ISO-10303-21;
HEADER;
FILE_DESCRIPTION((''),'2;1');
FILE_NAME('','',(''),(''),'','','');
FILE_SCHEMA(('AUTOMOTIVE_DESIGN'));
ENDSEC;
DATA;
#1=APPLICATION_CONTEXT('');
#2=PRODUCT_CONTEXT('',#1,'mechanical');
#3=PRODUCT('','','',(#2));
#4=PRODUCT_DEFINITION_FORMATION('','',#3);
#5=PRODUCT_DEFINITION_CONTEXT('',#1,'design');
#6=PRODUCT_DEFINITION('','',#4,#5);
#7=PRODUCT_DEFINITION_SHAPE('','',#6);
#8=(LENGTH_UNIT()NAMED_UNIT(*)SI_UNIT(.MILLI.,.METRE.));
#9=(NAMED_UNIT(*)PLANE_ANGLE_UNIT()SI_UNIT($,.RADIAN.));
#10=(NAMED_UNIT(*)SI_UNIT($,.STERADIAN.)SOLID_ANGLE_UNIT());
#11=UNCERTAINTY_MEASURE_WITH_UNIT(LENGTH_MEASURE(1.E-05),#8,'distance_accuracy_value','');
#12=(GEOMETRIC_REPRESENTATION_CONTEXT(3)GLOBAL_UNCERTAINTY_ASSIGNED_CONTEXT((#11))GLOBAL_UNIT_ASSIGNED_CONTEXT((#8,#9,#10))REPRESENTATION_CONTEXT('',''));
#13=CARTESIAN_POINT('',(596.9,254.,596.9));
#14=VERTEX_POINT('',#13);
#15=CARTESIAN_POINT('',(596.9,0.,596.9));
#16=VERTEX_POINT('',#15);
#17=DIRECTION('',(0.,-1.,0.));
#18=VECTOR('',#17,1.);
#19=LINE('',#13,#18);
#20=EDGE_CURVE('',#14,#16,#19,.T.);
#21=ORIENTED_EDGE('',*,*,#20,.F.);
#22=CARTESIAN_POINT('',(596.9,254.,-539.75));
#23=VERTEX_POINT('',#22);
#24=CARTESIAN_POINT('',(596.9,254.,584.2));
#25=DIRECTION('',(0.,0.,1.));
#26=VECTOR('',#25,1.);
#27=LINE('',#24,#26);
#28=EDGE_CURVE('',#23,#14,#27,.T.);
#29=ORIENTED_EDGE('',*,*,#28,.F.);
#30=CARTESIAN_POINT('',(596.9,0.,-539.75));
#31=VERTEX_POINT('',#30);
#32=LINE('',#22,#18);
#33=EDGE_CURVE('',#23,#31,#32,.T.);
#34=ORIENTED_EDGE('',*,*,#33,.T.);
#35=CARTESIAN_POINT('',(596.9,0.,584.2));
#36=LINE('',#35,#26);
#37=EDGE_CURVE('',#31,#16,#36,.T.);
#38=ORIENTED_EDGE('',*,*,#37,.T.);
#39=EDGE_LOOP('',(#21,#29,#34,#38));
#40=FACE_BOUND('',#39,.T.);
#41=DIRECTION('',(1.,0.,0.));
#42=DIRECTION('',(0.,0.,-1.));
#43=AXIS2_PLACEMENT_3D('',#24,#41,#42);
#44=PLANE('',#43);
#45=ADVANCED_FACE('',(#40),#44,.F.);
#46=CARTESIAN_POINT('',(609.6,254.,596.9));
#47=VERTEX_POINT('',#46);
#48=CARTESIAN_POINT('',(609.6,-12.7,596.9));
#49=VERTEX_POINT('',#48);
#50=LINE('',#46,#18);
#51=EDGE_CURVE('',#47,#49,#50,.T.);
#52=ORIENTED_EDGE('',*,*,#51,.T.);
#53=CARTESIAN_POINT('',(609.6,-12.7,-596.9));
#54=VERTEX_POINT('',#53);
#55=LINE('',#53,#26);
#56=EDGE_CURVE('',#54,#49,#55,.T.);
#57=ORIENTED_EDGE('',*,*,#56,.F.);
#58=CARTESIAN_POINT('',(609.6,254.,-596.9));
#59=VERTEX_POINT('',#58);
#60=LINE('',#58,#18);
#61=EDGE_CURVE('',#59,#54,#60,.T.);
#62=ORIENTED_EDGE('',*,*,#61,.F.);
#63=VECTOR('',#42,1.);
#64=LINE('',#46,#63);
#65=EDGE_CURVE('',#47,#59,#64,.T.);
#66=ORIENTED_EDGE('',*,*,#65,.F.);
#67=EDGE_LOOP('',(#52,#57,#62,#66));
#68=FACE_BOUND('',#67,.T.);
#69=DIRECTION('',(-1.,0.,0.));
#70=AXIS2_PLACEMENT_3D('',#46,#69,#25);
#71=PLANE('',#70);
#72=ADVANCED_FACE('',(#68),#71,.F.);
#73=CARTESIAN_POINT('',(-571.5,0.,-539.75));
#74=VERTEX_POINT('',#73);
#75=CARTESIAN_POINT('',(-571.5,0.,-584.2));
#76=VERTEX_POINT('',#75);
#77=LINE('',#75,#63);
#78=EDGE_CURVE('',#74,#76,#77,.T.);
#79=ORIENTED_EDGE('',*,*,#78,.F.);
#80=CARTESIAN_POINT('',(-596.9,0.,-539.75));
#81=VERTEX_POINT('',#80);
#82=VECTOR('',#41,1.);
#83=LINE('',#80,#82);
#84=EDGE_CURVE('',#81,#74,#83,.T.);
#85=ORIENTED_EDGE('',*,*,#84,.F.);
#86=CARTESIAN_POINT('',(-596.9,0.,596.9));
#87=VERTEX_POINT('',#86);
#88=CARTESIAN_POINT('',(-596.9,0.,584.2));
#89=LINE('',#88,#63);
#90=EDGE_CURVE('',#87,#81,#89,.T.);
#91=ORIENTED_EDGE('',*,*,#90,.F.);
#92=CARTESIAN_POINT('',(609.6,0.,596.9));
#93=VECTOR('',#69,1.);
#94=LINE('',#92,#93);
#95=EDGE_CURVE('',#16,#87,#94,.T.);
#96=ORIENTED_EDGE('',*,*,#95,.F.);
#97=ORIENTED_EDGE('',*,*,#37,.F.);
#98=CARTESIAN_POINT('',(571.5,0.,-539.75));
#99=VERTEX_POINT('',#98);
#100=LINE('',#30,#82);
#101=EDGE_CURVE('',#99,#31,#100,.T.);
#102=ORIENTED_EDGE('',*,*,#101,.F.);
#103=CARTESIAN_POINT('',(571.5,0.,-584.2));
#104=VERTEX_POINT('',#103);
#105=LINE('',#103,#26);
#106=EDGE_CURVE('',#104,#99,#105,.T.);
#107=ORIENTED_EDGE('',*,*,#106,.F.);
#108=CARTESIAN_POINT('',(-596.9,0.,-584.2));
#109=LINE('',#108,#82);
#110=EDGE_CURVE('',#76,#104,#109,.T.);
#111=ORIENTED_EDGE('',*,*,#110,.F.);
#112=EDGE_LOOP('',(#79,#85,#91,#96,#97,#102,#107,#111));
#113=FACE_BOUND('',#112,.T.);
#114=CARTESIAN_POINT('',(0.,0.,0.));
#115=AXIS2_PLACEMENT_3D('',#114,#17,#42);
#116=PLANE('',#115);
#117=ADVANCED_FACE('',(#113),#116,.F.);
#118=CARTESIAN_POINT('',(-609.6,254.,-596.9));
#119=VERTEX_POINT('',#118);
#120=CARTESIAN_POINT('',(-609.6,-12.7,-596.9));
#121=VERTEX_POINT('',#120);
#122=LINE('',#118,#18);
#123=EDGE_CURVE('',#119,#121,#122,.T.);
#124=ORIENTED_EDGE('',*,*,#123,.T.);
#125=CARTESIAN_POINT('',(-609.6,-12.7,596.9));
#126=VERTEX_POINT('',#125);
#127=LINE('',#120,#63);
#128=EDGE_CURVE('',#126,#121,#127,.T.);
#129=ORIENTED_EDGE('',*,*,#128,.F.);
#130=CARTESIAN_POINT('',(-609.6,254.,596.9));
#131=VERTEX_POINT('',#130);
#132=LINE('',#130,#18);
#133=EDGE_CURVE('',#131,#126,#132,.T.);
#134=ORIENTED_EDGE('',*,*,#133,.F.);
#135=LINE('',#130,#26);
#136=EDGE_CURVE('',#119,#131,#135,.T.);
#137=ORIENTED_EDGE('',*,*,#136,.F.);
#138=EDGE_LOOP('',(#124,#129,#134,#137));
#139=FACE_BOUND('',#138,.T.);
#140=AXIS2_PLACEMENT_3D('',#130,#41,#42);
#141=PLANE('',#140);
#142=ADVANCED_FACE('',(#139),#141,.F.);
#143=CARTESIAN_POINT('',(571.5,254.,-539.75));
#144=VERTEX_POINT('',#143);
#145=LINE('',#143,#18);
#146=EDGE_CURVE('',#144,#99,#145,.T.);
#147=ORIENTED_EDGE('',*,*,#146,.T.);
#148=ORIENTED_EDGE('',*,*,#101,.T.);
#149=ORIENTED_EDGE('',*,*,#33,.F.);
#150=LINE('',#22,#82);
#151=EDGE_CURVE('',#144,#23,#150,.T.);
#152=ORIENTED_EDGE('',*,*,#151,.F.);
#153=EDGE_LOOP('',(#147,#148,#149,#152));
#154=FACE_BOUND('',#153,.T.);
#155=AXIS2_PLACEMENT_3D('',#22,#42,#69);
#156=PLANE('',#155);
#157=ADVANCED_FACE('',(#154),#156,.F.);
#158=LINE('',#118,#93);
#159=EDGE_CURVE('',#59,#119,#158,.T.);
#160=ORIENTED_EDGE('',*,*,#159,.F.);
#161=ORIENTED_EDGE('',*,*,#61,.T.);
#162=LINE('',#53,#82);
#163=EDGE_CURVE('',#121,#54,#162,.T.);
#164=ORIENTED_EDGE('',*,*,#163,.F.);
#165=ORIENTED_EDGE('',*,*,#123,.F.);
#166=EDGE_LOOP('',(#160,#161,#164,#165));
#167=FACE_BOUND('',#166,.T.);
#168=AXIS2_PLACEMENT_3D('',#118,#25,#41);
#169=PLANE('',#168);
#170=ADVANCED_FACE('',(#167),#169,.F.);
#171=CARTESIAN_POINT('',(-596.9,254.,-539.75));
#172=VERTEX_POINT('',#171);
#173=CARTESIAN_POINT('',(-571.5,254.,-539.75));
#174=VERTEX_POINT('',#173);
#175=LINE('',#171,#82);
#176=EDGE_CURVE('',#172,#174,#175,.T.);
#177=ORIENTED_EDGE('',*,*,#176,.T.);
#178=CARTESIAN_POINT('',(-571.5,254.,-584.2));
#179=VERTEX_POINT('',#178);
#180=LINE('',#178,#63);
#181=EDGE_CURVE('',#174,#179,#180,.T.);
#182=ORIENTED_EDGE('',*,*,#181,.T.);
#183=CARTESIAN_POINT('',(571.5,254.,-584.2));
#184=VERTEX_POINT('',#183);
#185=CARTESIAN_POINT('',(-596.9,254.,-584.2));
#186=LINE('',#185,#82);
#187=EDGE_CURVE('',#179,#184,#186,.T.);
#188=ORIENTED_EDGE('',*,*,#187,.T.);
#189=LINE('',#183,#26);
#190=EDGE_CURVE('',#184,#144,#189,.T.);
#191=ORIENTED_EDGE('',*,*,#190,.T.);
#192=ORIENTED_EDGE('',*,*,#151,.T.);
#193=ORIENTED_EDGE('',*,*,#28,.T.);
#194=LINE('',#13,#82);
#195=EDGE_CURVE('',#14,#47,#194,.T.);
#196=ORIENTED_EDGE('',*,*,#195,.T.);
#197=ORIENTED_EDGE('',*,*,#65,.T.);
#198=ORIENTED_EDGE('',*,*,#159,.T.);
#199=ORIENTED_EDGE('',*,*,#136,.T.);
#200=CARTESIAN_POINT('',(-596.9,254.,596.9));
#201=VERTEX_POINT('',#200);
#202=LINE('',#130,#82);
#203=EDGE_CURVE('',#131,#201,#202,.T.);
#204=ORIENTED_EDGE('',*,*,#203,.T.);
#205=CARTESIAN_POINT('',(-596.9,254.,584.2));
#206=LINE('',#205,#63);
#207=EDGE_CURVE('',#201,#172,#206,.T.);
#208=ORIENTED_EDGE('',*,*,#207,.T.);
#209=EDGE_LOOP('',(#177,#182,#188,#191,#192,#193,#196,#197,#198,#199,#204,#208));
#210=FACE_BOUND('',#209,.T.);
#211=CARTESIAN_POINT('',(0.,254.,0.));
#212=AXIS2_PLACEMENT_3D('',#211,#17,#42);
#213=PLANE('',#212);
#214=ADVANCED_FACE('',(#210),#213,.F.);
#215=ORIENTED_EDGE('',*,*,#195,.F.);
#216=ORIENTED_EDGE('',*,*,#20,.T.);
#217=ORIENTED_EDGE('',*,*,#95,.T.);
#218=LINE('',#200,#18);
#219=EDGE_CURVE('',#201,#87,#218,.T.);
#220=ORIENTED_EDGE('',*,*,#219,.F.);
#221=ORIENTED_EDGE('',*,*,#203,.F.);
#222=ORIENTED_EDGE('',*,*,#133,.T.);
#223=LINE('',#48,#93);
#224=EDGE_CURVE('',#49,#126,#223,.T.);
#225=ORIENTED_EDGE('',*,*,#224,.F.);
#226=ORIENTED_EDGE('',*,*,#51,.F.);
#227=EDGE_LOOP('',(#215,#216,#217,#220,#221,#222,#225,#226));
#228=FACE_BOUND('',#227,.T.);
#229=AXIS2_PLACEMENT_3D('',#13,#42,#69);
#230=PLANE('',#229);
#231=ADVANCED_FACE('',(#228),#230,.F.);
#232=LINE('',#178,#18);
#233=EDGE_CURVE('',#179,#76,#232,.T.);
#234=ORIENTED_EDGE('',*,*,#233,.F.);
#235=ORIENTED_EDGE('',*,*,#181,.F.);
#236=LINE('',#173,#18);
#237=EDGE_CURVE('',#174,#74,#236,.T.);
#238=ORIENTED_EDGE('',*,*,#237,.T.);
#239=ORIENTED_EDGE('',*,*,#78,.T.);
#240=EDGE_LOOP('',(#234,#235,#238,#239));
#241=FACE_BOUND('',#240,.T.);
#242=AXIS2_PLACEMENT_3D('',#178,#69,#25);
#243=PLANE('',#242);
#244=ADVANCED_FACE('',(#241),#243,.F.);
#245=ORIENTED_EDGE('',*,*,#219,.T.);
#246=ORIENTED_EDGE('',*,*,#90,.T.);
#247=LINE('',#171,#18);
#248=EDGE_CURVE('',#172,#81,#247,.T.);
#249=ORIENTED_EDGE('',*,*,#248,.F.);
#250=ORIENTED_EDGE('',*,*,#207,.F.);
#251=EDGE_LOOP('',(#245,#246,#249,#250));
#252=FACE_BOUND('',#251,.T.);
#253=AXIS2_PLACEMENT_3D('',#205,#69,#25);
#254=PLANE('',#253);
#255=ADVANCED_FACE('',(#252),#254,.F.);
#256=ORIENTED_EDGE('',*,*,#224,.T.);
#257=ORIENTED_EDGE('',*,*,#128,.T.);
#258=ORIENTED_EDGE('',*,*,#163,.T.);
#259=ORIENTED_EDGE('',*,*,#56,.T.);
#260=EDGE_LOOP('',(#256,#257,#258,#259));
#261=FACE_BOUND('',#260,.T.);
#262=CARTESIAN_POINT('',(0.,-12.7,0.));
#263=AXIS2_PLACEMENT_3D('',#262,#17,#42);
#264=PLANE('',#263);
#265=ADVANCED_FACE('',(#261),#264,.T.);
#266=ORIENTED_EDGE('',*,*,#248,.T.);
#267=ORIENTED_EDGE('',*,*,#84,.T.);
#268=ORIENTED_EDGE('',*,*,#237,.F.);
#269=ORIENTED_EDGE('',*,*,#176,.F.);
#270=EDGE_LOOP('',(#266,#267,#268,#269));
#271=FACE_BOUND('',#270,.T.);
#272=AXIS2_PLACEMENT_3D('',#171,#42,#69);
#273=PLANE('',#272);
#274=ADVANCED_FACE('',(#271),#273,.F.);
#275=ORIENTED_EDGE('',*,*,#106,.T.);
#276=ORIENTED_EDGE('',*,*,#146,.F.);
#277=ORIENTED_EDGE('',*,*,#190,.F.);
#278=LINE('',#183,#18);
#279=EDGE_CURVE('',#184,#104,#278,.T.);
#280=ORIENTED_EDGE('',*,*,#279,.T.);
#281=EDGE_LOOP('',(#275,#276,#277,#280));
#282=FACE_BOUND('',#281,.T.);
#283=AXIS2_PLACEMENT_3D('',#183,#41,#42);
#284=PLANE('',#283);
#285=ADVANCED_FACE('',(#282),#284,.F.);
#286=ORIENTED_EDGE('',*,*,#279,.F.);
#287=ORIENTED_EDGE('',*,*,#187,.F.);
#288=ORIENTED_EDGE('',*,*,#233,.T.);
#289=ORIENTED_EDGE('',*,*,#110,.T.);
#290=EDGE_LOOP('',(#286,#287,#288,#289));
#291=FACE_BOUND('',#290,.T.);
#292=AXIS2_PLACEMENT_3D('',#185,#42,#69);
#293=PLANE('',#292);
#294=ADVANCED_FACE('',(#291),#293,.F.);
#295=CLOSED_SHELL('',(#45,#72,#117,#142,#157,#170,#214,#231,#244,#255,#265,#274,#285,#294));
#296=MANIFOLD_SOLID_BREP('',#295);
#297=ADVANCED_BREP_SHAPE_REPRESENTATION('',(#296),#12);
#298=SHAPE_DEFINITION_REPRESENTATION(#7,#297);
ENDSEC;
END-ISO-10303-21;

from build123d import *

# Parameters (mm, degrees)
BOSS_EXTRUDE1_DEPTH = 254
SKETCH2_W           = 1219.2
SKETCH2_H           = 1193.8
BOSS_EXTRUDE2_DEPTH = 12.7
SKETCH3_W           = 25.4
SKETCH3_H           = 44.45
BOSS_EXTRUDE3_DEPTH = 254


with BuildPart() as part:
    # Sketch1 → Boss-Extrude1 (new body)
    with BuildSketch(Plane(origin=(0, 0, 0), x_dir=(1, 0, 0), z_dir=(0, 1, 0))):
        Polygon((-596.9, -584.2), (-596.9, 584.2), (596.9, 584.2), (596.9, -584.2), (596.9, -596.9), (609.6, -596.9), (609.6, 596.9), (-609.6, 596.9), (-609.6, -596.9), (-596.9, -596.9), align=None)
    extrude(amount=BOSS_EXTRUDE1_DEPTH)

    # Sketch2 → Boss-Extrude2 (add)
    with BuildSketch(Plane.XZ):
        Rectangle(SKETCH2_W, SKETCH2_H)
    extrude(amount=BOSS_EXTRUDE2_DEPTH)

    # Sketch3 → Boss-Extrude3 (add)
    with BuildSketch(Plane(origin=(0, 0, 0), x_dir=(1, 0, 0), z_dir=(0, 1, 0))):
        with Locations((-584.2, 561.975)):
            Rectangle(SKETCH3_W, SKETCH3_H)
        with Locations((584.2, 561.975)):
            Rectangle(SKETCH3_W, SKETCH3_H)
    extrude(amount=BOSS_EXTRUDE3_DEPTH)


solid = part.part
